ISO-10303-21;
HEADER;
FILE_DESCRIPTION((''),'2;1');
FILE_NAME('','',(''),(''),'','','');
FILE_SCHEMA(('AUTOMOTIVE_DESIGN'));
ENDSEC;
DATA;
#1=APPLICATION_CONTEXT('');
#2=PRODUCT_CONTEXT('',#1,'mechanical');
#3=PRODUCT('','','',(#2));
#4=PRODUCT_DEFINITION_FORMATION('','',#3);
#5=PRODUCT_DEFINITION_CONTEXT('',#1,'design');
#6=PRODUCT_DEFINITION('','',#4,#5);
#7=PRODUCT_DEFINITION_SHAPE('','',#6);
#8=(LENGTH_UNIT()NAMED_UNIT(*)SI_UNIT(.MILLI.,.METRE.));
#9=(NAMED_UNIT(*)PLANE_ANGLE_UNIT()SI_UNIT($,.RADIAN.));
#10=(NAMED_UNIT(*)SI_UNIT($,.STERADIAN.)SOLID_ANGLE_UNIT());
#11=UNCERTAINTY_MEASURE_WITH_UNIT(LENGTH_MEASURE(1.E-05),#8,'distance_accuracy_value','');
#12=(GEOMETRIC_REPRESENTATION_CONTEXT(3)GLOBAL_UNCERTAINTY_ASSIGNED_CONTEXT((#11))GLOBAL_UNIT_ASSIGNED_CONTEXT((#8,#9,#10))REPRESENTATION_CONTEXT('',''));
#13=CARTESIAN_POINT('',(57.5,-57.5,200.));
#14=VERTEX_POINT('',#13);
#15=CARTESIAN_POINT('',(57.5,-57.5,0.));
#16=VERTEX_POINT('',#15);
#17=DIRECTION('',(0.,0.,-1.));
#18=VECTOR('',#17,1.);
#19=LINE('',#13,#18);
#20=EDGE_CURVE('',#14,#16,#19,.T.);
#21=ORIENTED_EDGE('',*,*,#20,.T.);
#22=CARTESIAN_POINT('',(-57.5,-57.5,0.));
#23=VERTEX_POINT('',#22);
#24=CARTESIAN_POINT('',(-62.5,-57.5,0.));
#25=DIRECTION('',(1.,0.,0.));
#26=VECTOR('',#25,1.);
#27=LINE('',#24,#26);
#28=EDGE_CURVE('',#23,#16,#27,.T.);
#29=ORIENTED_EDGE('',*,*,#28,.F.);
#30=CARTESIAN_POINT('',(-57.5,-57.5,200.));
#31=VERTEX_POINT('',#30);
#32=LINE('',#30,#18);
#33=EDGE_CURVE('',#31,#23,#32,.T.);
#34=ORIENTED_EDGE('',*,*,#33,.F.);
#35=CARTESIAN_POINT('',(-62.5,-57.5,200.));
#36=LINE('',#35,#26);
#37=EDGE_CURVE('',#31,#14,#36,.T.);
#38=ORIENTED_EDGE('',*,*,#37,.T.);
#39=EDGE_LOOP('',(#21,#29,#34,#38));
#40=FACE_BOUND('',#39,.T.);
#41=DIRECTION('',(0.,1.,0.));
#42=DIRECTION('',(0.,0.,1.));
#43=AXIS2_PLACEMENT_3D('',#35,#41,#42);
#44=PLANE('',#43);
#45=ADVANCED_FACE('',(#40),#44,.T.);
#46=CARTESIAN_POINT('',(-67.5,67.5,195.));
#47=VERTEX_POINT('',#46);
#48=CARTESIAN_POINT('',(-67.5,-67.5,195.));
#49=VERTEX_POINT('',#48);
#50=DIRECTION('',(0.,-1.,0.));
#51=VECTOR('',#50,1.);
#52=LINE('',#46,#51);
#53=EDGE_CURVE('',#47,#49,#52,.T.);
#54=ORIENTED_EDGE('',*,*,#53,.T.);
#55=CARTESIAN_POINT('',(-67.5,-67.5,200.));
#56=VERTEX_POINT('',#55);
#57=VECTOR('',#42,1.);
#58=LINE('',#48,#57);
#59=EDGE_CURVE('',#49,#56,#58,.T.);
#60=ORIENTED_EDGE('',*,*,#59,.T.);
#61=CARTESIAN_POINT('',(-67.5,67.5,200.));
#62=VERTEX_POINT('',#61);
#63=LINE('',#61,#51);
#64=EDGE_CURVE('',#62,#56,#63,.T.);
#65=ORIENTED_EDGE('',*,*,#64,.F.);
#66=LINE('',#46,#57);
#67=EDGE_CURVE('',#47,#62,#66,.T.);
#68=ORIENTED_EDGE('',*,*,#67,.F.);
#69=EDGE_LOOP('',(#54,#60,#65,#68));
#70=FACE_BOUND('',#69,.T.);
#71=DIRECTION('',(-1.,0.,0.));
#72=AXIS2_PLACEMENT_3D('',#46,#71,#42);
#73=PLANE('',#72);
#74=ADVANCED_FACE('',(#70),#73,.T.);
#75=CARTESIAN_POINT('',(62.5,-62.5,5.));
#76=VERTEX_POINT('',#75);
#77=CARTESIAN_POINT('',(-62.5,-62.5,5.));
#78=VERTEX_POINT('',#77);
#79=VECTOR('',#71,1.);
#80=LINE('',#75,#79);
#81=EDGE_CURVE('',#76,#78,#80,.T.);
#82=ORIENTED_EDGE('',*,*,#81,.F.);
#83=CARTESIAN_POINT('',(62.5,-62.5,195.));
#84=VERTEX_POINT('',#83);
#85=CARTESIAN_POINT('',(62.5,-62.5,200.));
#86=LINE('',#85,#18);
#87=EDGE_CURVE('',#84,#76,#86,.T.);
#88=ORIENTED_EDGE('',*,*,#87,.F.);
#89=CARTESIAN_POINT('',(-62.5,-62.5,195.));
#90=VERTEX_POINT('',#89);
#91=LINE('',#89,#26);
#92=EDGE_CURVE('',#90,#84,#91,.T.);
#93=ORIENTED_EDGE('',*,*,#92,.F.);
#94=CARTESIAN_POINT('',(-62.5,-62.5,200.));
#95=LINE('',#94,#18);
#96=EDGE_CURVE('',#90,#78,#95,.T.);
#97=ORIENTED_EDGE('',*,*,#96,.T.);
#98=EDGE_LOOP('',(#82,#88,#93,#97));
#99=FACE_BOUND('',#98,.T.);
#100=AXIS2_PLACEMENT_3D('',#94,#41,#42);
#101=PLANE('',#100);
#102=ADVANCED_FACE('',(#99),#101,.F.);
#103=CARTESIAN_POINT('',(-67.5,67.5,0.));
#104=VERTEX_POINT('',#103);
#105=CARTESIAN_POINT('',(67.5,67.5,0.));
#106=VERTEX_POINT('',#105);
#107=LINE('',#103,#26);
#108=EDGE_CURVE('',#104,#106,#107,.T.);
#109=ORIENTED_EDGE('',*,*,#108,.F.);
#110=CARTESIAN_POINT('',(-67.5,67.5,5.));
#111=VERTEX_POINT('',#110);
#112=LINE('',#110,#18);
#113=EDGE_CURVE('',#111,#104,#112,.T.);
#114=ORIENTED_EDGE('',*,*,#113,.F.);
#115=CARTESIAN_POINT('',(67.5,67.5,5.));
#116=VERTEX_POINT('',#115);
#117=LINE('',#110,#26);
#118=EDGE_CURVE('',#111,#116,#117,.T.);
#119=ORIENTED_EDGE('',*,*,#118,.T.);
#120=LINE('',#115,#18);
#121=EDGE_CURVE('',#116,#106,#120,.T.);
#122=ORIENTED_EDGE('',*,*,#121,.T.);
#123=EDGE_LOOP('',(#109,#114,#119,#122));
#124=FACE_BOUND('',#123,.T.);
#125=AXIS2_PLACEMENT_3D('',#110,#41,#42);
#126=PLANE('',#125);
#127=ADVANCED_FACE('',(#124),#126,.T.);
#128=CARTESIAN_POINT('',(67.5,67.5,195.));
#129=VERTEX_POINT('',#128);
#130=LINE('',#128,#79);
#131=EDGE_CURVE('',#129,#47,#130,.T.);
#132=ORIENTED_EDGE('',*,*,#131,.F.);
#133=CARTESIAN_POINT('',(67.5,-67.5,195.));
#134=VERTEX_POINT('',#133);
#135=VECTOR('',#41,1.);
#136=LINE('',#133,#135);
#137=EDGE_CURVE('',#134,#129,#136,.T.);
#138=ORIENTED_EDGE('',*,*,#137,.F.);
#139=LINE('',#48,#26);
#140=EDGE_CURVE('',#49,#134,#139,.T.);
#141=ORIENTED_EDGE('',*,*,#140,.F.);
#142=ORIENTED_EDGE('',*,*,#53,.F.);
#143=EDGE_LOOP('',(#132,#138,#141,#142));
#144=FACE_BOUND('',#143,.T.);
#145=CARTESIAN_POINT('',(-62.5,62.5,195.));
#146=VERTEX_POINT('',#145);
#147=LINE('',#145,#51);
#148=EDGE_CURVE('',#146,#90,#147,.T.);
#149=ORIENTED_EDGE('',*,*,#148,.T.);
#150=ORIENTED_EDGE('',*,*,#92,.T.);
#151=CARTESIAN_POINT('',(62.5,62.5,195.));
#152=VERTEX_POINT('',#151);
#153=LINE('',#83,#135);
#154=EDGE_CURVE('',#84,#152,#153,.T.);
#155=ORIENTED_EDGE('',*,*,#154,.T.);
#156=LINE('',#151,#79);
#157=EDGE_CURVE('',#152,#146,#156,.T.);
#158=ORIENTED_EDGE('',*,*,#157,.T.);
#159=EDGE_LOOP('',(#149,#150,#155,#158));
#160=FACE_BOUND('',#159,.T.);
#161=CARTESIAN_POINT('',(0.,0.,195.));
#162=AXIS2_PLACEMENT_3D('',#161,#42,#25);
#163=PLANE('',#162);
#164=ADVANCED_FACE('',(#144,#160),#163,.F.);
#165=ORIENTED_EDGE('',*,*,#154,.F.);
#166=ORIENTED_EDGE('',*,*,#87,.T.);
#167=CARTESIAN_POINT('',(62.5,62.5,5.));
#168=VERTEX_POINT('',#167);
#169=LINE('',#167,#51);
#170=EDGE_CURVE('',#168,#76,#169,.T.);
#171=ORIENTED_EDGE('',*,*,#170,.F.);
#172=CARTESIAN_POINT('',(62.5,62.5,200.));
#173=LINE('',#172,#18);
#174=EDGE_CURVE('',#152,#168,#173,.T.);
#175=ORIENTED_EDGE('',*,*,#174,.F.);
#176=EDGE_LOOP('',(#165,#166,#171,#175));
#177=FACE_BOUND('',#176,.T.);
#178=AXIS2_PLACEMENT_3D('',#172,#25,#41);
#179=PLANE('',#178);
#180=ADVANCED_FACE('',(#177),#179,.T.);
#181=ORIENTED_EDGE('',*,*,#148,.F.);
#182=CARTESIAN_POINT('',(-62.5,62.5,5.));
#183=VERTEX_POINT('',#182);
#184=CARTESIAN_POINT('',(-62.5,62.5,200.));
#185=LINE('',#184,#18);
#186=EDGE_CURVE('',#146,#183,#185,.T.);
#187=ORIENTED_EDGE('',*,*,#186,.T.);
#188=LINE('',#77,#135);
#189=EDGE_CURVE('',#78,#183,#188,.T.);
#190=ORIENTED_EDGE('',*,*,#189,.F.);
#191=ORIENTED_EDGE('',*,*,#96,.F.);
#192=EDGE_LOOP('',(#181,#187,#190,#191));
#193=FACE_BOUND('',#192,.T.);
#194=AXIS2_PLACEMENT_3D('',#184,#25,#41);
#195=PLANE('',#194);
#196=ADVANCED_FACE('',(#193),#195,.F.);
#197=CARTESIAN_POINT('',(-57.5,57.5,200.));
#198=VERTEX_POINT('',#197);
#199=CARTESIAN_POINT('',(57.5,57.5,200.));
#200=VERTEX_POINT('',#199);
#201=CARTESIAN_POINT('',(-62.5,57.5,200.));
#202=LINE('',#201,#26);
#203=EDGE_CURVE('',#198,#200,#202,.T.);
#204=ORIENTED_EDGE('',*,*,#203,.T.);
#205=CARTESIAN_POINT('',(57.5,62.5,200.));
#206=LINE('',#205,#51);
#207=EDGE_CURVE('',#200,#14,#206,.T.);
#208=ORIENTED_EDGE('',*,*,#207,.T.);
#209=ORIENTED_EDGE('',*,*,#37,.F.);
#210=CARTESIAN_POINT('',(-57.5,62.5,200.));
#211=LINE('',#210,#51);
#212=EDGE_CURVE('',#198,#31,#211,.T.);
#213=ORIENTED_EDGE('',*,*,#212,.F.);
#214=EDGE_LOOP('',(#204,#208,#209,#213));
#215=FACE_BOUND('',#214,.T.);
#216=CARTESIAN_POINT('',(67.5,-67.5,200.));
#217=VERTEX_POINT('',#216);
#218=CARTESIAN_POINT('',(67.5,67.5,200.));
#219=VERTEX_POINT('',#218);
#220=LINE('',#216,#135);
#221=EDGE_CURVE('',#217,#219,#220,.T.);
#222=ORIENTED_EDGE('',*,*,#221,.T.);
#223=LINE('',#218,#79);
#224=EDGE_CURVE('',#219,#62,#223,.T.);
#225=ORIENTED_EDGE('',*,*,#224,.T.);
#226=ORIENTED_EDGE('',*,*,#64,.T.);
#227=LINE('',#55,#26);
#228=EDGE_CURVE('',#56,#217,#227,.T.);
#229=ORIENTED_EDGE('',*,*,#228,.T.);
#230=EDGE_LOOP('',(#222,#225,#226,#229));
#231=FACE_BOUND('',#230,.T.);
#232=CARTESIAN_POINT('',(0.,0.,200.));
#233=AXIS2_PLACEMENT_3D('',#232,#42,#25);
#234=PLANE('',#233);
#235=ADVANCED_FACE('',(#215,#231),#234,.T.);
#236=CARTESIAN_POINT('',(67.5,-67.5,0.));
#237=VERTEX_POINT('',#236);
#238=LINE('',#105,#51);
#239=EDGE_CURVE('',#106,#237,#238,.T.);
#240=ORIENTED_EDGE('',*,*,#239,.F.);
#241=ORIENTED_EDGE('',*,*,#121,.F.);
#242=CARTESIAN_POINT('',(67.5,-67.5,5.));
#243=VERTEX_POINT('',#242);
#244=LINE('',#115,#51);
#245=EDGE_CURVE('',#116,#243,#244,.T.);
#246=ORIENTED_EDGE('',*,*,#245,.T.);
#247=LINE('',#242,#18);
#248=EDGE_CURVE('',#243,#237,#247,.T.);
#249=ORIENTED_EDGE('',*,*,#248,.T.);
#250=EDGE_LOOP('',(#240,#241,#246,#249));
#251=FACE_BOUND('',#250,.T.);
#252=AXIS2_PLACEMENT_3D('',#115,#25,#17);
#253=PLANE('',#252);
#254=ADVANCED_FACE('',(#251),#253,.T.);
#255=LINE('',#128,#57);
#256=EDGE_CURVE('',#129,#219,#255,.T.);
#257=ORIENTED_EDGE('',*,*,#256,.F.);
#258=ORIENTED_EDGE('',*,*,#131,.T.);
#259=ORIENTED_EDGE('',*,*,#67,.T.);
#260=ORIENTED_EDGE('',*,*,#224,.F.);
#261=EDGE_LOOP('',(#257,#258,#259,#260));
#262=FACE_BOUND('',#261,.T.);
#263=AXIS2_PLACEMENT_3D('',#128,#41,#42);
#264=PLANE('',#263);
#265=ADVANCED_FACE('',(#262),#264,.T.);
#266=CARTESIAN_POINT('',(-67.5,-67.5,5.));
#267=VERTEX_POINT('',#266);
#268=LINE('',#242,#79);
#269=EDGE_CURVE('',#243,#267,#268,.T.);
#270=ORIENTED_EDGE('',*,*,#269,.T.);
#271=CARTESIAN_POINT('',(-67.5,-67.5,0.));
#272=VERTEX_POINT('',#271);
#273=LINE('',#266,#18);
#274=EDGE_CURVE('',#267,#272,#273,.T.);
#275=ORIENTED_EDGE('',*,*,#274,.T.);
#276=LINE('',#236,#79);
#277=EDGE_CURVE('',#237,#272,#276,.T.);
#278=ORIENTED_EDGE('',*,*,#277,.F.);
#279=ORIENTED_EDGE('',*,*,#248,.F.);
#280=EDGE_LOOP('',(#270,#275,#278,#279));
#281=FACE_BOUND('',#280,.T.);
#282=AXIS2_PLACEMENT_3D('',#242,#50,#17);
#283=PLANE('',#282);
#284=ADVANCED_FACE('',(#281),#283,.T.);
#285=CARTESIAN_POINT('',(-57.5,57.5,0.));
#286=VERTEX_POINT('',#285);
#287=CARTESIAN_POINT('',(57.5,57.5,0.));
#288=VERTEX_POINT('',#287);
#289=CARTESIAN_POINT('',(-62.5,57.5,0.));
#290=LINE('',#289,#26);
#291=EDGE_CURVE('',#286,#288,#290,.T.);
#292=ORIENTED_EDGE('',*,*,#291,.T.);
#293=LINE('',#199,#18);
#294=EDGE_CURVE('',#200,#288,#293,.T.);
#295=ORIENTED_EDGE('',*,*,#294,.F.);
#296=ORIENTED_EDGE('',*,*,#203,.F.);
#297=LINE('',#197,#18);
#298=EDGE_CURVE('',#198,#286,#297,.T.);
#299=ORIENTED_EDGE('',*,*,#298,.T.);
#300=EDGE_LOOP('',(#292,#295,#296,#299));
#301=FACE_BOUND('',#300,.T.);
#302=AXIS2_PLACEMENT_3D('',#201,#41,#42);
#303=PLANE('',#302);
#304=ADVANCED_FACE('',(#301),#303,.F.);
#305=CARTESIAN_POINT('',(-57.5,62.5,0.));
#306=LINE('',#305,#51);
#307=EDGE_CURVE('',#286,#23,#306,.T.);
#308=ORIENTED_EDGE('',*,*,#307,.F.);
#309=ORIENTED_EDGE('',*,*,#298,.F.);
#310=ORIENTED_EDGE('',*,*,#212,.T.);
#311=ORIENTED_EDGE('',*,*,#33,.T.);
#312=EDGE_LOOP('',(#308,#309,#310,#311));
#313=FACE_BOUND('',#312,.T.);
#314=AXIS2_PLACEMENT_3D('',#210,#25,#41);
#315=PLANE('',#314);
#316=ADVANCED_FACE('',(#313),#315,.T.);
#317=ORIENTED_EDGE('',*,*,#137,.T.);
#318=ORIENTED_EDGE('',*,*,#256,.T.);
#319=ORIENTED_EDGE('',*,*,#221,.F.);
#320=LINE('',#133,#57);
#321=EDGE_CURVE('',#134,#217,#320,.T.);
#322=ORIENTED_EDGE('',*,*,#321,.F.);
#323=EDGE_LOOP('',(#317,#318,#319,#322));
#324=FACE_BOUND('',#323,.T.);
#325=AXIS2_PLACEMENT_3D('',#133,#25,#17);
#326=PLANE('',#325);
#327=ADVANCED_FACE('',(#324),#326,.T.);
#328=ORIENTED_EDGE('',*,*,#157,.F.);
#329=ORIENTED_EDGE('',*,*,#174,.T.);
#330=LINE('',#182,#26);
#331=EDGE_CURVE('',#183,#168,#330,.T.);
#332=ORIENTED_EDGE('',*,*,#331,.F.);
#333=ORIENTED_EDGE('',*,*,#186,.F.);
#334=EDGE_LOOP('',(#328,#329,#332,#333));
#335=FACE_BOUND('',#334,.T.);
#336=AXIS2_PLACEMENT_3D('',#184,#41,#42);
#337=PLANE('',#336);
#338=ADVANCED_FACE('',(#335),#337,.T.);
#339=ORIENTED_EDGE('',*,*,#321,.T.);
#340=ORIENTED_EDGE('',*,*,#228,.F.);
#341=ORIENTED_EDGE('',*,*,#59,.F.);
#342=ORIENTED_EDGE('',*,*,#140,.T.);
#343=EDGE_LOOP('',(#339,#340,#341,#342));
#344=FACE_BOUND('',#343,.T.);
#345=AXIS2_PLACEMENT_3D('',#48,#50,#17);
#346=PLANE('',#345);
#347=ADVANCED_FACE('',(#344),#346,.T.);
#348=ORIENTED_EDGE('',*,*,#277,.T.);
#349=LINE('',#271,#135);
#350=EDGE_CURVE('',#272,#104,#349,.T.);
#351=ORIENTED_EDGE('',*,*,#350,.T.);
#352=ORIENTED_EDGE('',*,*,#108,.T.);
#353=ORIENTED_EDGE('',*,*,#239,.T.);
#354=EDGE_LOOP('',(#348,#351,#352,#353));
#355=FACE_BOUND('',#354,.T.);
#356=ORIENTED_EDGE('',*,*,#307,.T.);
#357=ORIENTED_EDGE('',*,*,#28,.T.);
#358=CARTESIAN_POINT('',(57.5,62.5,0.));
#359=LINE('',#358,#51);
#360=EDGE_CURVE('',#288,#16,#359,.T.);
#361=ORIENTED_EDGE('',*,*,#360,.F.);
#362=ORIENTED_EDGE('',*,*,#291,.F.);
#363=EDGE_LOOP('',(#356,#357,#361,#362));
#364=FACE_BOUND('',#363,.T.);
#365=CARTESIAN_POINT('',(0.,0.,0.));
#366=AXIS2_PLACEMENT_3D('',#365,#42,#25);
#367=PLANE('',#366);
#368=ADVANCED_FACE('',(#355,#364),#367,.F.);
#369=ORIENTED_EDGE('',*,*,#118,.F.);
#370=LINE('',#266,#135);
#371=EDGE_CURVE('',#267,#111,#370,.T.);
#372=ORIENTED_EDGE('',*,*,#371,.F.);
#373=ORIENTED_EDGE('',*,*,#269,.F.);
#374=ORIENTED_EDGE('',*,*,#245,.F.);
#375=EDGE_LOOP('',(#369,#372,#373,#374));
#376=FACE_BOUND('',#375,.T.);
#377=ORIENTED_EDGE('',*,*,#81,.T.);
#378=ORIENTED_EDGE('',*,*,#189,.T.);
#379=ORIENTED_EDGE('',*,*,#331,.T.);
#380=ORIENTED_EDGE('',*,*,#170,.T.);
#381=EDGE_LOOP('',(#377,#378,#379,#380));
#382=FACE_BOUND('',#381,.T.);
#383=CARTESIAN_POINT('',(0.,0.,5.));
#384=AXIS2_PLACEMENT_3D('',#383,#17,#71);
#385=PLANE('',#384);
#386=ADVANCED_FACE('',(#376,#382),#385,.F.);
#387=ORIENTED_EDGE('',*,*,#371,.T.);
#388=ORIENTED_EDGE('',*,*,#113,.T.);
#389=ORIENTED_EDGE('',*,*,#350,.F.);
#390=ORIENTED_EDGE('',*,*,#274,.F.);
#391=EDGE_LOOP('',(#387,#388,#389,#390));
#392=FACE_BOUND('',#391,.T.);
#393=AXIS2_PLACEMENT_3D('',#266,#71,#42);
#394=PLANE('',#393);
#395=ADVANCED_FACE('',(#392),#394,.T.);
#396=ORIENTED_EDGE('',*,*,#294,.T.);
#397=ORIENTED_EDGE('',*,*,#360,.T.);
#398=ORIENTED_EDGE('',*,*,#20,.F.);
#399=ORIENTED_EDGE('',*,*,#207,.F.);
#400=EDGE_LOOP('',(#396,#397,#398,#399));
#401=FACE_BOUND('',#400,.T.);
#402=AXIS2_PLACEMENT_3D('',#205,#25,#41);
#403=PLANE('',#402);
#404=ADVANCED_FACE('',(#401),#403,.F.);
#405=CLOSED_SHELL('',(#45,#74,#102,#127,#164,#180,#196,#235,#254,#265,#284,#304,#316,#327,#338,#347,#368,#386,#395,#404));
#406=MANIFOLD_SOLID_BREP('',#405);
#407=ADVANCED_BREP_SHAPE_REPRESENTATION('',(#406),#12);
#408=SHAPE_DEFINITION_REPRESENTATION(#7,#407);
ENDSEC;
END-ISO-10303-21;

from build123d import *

# Parameters (mm, degrees)
SKETCH2_W           = 125
SKETCH2_H           = 125
BOSS_EXTRUDE1_DEPTH = 200
SHELL1_T            = -5
SKETCH4_W           = 135
SKETCH4_H           = 135
SKETCH4_W_2         = 125
SKETCH4_H_2         = 125
BOSS_EXTRUDE2_DEPTH = 5
SKETCH3_W           = 135
SKETCH3_H           = 135
SKETCH3_W_2         = 125
SKETCH3_H_2         = 125
BOSS_EXTRUDE4_DEPTH = 5


with BuildPart() as part:
    # Sketch2 → Boss-Extrude1 (new body)
    with BuildSketch(Plane.XY):
        Rectangle(SKETCH2_W, SKETCH2_H)
    extrude(amount=BOSS_EXTRUDE1_DEPTH)

    # Shell1
    shell1_openings = [part.faces().sort_by_distance(p)[0] for p in [
        (0, 0, 200),
        (0, 0, 0),
    ]]
    offset(amount=SHELL1_T, openings=shell1_openings, kind=Kind.INTERSECTION)

    # Sketch4 → Boss-Extrude2 (add)
    with BuildSketch(Plane.XY.offset(200)):
        Rectangle(SKETCH4_W, SKETCH4_H)
        Rectangle(SKETCH4_W_2, SKETCH4_H_2, mode=Mode.SUBTRACT)
    extrude(amount=-BOSS_EXTRUDE2_DEPTH)

    # Sketch3 → Boss-Extrude4 (add)
    with BuildSketch(Plane(origin=(0, 0, 0), x_dir=(-1, 0, 0), z_dir=(0, 0, -1))):
        Rectangle(SKETCH3_W, SKETCH3_H)
        Rectangle(SKETCH3_W_2, SKETCH3_H_2, mode=Mode.SUBTRACT)
    extrude(amount=-BOSS_EXTRUDE4_DEPTH)


solid = part.part
